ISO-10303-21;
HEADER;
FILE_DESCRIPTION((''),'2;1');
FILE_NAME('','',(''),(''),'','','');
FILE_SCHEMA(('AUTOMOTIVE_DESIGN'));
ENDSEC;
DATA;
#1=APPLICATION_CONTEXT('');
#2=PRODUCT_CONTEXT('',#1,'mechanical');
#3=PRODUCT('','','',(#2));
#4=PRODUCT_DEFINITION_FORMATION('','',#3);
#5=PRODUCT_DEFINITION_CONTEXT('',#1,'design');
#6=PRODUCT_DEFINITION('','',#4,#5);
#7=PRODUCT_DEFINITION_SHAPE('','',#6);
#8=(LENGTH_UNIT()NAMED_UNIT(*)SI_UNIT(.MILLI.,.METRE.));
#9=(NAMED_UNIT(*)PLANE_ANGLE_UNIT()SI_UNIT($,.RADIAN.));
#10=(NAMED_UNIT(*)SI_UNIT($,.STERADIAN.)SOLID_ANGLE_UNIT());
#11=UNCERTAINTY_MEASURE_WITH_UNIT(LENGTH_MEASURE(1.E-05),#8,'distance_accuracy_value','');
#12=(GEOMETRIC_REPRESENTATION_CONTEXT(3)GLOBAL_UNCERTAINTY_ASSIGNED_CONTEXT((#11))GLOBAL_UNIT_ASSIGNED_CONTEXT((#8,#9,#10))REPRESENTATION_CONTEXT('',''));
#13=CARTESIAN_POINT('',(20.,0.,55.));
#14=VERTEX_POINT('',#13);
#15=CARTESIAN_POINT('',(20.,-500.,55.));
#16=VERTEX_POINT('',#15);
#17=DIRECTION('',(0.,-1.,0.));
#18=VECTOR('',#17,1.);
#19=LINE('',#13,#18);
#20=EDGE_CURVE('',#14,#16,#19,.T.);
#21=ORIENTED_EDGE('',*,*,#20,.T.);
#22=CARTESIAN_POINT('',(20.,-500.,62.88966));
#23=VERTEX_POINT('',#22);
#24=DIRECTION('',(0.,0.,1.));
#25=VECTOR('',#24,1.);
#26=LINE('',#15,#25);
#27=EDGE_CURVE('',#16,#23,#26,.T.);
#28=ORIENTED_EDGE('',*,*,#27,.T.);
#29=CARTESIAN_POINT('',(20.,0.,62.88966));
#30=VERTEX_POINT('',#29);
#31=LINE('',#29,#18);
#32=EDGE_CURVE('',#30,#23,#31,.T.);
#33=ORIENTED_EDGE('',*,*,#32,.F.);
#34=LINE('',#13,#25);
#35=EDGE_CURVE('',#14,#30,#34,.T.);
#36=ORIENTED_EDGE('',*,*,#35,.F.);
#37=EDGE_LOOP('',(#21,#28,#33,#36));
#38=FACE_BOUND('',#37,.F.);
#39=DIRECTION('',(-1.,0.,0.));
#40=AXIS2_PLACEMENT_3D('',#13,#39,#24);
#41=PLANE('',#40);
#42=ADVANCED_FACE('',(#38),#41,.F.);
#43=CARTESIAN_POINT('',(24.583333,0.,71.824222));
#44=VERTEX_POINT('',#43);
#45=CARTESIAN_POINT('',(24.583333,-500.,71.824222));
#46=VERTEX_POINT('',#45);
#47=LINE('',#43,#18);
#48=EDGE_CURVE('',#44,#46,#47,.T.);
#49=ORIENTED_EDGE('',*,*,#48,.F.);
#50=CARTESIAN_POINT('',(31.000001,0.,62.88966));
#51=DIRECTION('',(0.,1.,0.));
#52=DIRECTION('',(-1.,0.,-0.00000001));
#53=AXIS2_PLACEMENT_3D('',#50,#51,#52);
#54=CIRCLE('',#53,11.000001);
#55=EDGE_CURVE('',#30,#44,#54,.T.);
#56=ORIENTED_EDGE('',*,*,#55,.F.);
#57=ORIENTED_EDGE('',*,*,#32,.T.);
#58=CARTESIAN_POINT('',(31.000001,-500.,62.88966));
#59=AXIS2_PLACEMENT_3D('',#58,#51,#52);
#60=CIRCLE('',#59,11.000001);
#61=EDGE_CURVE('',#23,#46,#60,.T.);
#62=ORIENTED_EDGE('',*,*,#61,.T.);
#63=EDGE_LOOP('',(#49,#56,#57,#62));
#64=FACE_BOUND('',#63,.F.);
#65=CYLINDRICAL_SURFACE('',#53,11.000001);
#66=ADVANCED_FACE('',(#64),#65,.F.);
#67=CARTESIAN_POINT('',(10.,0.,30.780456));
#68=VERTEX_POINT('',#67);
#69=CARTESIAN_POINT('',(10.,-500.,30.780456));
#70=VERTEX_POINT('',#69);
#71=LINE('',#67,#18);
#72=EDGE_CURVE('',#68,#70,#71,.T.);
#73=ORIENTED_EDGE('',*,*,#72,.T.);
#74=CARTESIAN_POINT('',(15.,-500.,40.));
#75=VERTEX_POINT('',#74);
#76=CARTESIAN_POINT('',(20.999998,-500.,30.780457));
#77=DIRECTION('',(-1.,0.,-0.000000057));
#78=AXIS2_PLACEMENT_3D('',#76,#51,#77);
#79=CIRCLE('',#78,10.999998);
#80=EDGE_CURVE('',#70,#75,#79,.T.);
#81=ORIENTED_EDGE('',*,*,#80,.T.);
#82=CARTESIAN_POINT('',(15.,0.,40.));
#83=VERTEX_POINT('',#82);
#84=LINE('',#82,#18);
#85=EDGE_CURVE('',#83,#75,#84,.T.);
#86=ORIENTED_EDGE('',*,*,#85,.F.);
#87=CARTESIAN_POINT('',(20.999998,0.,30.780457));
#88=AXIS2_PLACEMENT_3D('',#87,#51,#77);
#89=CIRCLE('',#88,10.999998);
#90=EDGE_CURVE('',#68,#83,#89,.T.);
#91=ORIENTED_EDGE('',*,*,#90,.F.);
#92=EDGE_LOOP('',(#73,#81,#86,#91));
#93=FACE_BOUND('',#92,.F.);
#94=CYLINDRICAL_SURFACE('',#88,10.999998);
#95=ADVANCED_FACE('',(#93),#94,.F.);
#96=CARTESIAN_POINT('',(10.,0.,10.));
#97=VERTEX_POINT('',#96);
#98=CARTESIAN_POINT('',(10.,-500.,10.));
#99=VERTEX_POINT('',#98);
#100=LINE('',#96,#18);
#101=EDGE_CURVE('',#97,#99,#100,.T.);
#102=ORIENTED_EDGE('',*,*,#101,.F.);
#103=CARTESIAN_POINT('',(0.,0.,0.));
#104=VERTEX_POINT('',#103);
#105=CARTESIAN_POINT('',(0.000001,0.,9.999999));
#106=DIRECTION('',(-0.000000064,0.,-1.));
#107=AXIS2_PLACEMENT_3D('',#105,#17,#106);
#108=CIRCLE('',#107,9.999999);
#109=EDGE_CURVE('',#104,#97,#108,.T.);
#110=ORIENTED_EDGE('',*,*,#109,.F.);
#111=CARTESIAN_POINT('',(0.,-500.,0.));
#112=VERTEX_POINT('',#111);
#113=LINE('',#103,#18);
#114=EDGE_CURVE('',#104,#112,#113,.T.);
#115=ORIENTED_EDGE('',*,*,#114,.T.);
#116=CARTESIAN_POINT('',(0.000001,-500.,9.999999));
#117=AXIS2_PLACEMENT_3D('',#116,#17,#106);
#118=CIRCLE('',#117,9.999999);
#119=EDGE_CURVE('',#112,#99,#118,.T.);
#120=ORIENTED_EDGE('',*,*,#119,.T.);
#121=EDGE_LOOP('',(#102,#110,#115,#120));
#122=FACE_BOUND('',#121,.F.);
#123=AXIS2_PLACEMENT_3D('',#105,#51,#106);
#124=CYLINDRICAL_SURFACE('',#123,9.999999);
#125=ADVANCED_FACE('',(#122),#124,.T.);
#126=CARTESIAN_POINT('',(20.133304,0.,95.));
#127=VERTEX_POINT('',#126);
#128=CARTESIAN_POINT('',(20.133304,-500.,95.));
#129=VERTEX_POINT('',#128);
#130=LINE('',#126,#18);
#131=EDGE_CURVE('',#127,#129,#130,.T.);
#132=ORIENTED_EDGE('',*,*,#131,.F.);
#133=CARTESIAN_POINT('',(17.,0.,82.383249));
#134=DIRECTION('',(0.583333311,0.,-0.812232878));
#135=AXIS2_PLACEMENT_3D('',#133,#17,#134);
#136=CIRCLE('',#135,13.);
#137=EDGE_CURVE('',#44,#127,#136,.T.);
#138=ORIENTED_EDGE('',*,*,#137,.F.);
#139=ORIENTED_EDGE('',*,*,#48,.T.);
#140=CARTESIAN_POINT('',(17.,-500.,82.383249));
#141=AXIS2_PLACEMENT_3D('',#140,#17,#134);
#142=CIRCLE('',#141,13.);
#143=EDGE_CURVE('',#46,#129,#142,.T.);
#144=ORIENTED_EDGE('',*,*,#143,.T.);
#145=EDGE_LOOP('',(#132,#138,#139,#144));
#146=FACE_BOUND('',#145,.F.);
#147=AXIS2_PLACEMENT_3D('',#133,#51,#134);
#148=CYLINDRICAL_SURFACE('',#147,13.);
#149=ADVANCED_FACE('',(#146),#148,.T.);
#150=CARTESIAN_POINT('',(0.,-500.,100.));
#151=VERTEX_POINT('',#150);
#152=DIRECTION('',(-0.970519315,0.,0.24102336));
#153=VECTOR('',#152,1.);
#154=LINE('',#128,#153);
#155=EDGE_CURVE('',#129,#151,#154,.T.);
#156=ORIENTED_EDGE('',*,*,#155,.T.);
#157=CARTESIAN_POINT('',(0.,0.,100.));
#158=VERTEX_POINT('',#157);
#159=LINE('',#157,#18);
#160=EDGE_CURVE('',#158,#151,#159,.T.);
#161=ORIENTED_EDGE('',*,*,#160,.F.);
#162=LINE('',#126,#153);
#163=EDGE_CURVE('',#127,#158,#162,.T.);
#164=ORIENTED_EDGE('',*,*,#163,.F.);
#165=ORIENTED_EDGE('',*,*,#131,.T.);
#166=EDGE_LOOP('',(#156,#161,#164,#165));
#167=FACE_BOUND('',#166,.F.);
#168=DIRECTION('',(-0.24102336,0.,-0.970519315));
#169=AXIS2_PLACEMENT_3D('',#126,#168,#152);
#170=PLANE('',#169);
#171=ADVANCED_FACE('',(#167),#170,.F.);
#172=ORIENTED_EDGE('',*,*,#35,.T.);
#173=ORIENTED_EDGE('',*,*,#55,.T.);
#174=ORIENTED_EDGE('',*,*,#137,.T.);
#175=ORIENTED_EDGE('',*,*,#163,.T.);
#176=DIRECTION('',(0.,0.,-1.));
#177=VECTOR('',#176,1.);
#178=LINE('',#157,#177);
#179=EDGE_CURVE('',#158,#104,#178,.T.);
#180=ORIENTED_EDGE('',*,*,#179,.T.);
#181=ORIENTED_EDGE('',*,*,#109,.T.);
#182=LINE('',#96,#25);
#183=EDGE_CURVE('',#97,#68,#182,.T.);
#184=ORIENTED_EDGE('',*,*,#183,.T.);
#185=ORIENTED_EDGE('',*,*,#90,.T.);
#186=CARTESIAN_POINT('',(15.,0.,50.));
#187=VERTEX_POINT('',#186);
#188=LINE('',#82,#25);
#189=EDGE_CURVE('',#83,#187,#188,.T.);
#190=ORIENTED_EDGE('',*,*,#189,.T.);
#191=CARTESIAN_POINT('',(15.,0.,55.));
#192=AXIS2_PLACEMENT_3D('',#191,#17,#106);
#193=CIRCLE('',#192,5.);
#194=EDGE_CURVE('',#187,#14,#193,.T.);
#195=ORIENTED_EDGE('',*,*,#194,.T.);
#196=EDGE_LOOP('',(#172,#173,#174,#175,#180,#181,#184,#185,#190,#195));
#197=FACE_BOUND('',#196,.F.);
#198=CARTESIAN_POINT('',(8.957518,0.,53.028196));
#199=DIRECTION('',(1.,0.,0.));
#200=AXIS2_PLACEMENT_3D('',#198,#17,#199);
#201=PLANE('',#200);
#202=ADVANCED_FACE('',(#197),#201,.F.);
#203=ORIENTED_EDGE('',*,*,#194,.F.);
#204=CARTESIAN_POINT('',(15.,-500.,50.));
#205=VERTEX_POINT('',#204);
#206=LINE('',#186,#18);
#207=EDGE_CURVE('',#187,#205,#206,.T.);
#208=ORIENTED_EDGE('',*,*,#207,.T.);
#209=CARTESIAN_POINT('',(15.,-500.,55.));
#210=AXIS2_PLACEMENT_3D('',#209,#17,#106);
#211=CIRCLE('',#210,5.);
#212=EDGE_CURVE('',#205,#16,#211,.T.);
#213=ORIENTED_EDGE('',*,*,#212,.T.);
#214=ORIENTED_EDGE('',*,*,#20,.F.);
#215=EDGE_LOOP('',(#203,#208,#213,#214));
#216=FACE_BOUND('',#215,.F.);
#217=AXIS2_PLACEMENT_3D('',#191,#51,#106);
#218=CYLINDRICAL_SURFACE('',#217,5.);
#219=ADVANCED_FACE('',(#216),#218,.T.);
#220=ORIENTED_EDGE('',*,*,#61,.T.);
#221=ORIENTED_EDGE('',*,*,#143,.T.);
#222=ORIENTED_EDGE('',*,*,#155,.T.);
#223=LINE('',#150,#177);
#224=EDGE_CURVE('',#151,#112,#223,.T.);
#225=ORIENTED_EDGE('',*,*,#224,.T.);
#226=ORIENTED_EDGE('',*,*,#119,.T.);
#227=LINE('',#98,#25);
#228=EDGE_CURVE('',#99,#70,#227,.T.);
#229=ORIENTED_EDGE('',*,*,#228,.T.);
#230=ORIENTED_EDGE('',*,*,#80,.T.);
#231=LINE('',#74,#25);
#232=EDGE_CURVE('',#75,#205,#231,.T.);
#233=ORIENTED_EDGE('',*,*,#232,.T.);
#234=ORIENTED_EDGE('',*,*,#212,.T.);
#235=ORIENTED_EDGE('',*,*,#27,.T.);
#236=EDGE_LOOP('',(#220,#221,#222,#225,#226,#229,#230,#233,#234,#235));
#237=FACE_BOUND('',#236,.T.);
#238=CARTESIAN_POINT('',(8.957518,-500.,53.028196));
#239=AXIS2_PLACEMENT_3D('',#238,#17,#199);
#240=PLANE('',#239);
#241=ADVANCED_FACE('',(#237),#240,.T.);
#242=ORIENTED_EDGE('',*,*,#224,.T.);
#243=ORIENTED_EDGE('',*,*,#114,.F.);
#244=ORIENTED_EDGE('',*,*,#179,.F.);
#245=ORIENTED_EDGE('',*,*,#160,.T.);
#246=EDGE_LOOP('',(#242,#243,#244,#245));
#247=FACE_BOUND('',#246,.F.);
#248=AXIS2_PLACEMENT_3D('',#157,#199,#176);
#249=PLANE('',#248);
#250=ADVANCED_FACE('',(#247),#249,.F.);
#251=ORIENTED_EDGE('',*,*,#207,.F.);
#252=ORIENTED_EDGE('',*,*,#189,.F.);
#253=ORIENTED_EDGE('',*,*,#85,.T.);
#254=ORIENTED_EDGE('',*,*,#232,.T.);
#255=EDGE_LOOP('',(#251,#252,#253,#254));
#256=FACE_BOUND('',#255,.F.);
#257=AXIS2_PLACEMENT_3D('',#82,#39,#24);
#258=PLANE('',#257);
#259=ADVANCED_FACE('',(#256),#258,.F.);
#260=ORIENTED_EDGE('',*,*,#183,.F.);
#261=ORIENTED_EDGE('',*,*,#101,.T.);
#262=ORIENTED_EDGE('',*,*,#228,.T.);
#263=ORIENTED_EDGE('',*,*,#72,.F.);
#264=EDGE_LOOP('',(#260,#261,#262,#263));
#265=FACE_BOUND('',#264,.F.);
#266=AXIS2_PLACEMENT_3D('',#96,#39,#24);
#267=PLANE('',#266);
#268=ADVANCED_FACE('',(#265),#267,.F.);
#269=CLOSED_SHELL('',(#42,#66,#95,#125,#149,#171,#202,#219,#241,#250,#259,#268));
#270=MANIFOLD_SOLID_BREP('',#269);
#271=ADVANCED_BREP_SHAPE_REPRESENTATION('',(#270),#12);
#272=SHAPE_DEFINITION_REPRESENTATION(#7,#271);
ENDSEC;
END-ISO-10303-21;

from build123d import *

# Parameters (mm, degrees)
F1_DEPTH = 500


with BuildPart() as f1:
    # F0 (on Front) → F1 (new body)
    with BuildSketch(Plane.XZ):
        with BuildLine():
            Line((0, 100), (0, 0))
            ThreePointArc((0, 0), (7.071068, 2.928932), (10, 10))
            Line((10, 10), (10, 30.780456))
            ThreePointArc((10, 30.780456), (11.33046, 36.0245), (15, 40))
            Line((15, 40), (15, 50))
            ThreePointArc((15, 50), (18.535534, 51.464466), (20, 55))
            Line((20, 55), (20, 62.88966))
            ThreePointArc((20, 62.88966), (21.212678, 67.91045), (24.583333, 71.824222))
            ThreePointArc((24.583333, 71.824222), (29.766783, 84.834626), (20.133304, 95))
            Line((20.133304, 95), (0, 100))
        make_face()
    extrude(amount=F1_DEPTH)


solid = f1.part
